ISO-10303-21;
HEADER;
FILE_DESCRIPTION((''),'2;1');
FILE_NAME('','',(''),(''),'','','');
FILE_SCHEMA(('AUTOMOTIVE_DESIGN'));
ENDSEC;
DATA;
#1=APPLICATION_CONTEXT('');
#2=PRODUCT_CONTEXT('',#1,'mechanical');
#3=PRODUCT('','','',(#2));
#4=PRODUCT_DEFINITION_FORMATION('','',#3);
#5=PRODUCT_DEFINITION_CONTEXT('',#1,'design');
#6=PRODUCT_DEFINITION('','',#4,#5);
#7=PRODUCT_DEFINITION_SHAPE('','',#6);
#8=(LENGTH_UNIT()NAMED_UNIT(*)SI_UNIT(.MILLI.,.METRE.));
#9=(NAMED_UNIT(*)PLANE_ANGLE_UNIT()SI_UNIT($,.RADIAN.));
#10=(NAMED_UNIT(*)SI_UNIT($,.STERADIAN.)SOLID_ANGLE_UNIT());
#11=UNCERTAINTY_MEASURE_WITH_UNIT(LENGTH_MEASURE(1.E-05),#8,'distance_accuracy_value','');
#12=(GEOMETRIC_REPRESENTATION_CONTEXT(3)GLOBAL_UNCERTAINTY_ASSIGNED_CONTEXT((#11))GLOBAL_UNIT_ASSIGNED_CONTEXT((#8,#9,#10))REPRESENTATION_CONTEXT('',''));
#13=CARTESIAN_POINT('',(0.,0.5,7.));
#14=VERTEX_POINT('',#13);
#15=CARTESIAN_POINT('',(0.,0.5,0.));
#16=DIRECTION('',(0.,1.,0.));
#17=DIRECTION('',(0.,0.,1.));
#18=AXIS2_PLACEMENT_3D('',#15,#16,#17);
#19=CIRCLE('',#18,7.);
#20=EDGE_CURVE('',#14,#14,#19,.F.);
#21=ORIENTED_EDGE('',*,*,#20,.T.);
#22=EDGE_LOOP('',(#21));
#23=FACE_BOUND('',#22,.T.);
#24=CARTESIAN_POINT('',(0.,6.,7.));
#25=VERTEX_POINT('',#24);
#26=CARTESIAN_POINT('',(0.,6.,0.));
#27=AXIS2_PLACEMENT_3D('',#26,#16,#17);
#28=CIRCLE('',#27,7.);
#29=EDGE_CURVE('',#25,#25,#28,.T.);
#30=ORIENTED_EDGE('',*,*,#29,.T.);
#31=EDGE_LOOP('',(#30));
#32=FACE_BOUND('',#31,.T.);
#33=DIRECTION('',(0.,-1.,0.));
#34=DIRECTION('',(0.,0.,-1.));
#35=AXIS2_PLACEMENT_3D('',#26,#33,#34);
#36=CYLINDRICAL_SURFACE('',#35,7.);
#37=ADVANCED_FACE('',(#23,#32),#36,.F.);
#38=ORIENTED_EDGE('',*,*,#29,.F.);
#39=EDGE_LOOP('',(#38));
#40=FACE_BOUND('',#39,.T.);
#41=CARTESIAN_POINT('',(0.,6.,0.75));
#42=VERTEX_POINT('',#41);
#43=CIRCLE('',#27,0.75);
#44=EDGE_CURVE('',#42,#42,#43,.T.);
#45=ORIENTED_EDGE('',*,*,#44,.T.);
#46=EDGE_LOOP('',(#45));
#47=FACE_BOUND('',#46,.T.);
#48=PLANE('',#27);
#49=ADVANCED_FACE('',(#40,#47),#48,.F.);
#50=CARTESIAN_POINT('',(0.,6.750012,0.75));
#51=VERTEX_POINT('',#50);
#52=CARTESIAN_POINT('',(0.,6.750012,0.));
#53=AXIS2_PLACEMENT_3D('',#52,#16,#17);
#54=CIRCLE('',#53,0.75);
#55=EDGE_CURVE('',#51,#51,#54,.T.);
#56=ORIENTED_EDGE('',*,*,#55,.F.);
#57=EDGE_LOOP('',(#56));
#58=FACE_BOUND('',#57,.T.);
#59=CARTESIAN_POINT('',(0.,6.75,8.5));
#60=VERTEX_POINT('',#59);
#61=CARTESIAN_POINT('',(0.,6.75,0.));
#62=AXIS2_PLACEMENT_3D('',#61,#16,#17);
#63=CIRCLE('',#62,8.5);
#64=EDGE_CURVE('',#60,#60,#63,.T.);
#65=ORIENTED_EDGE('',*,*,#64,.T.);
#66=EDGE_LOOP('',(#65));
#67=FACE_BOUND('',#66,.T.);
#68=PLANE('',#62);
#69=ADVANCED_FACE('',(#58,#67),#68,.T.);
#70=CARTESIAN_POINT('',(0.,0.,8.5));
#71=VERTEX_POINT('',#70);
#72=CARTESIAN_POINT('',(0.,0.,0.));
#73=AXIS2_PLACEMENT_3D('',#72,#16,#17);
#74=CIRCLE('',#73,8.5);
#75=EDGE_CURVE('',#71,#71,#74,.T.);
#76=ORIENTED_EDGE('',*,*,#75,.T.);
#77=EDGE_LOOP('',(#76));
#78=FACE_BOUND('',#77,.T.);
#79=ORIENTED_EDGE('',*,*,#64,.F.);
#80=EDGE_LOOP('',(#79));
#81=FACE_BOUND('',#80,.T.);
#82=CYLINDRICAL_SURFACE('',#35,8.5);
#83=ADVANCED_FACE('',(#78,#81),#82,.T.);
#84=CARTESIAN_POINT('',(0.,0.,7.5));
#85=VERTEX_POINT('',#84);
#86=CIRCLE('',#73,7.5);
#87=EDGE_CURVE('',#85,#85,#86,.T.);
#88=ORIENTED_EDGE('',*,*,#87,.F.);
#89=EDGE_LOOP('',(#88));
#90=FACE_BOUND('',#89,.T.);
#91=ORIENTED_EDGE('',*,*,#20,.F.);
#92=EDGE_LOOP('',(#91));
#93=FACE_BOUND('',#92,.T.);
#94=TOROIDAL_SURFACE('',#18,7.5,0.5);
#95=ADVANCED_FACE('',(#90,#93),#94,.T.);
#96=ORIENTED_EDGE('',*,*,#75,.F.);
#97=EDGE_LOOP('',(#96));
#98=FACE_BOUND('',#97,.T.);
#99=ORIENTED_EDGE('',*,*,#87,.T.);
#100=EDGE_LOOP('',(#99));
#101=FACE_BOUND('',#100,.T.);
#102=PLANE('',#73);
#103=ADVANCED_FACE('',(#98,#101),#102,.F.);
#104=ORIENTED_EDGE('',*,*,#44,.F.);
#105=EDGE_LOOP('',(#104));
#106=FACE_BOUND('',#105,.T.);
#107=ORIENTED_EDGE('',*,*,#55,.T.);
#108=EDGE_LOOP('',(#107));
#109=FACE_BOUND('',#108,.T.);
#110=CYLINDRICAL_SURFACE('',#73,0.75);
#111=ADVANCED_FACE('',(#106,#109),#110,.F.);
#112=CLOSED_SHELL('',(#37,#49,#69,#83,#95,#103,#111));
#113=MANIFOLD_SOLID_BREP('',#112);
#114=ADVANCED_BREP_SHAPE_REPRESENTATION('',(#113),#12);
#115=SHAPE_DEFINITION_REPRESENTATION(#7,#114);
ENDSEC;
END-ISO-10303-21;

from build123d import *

# Parameters (mm, degrees)
SKETCH1_R               = 8.5
SKETCH1_R_2             = 7
BOSS_EXTRUDE1_DEPTH     = 6
SKETCH2_R               = 8.5
BOSS_EXTRUDE2_DEPTH     = 0.75
CUT_EXTRUDE1_DEPTH      = 14.786315679
CUT_EXTRUDE1_DEPTH_BACK = 14.786315679
SKETCH3_R               = 0.75
FILLET1_R               = 0.5


with BuildPart() as part:
    # Sketch1 → Boss-Extrude1 (new body)
    with BuildSketch(Plane(origin=(0, 0, 0), x_dir=(1, 0, 0), z_dir=(0, 1, 0))):
        with Locations(Location((0, 0, 0), (0, 0, 270))):
            Circle(SKETCH1_R)
        with Locations(Location((0, 0, 0), (0, 0, 270))):
            Circle(SKETCH1_R_2, mode=Mode.SUBTRACT)
    extrude(amount=BOSS_EXTRUDE1_DEPTH)

    # Sketch2 → Boss-Extrude2 (add)
    with BuildSketch(Plane(origin=(0, 6, 0), x_dir=(1, 0, 0), z_dir=(0, 1, 0))):
        with Locations(Location((0, 0, 0), (0, 0, 270))):
            Circle(SKETCH2_R)
    extrude(amount=BOSS_EXTRUDE2_DEPTH)

    # Sketch3 → Cut-Extrude1 (cut, two sides: drawn at the far end of the back side and taken through both)
    with BuildSketch(Plane(origin=(0, 6.75, 0), x_dir=(1, 0, 0), z_dir=(0, 1, 0)).offset(-CUT_EXTRUDE1_DEPTH_BACK)):
        with Locations(Location((0, 0, 0), (0, 0, 270))):
            Circle(SKETCH3_R)
    extrude(amount=CUT_EXTRUDE1_DEPTH + CUT_EXTRUDE1_DEPTH_BACK, mode=Mode.SUBTRACT)

    # Fillet1
    fillet1_edges = [part.edges().sort_by_distance(p)[0] for p in [
        (0, 0, -7),
    ]]
    fillet(fillet1_edges, radius=FILLET1_R)


solid = part.part
